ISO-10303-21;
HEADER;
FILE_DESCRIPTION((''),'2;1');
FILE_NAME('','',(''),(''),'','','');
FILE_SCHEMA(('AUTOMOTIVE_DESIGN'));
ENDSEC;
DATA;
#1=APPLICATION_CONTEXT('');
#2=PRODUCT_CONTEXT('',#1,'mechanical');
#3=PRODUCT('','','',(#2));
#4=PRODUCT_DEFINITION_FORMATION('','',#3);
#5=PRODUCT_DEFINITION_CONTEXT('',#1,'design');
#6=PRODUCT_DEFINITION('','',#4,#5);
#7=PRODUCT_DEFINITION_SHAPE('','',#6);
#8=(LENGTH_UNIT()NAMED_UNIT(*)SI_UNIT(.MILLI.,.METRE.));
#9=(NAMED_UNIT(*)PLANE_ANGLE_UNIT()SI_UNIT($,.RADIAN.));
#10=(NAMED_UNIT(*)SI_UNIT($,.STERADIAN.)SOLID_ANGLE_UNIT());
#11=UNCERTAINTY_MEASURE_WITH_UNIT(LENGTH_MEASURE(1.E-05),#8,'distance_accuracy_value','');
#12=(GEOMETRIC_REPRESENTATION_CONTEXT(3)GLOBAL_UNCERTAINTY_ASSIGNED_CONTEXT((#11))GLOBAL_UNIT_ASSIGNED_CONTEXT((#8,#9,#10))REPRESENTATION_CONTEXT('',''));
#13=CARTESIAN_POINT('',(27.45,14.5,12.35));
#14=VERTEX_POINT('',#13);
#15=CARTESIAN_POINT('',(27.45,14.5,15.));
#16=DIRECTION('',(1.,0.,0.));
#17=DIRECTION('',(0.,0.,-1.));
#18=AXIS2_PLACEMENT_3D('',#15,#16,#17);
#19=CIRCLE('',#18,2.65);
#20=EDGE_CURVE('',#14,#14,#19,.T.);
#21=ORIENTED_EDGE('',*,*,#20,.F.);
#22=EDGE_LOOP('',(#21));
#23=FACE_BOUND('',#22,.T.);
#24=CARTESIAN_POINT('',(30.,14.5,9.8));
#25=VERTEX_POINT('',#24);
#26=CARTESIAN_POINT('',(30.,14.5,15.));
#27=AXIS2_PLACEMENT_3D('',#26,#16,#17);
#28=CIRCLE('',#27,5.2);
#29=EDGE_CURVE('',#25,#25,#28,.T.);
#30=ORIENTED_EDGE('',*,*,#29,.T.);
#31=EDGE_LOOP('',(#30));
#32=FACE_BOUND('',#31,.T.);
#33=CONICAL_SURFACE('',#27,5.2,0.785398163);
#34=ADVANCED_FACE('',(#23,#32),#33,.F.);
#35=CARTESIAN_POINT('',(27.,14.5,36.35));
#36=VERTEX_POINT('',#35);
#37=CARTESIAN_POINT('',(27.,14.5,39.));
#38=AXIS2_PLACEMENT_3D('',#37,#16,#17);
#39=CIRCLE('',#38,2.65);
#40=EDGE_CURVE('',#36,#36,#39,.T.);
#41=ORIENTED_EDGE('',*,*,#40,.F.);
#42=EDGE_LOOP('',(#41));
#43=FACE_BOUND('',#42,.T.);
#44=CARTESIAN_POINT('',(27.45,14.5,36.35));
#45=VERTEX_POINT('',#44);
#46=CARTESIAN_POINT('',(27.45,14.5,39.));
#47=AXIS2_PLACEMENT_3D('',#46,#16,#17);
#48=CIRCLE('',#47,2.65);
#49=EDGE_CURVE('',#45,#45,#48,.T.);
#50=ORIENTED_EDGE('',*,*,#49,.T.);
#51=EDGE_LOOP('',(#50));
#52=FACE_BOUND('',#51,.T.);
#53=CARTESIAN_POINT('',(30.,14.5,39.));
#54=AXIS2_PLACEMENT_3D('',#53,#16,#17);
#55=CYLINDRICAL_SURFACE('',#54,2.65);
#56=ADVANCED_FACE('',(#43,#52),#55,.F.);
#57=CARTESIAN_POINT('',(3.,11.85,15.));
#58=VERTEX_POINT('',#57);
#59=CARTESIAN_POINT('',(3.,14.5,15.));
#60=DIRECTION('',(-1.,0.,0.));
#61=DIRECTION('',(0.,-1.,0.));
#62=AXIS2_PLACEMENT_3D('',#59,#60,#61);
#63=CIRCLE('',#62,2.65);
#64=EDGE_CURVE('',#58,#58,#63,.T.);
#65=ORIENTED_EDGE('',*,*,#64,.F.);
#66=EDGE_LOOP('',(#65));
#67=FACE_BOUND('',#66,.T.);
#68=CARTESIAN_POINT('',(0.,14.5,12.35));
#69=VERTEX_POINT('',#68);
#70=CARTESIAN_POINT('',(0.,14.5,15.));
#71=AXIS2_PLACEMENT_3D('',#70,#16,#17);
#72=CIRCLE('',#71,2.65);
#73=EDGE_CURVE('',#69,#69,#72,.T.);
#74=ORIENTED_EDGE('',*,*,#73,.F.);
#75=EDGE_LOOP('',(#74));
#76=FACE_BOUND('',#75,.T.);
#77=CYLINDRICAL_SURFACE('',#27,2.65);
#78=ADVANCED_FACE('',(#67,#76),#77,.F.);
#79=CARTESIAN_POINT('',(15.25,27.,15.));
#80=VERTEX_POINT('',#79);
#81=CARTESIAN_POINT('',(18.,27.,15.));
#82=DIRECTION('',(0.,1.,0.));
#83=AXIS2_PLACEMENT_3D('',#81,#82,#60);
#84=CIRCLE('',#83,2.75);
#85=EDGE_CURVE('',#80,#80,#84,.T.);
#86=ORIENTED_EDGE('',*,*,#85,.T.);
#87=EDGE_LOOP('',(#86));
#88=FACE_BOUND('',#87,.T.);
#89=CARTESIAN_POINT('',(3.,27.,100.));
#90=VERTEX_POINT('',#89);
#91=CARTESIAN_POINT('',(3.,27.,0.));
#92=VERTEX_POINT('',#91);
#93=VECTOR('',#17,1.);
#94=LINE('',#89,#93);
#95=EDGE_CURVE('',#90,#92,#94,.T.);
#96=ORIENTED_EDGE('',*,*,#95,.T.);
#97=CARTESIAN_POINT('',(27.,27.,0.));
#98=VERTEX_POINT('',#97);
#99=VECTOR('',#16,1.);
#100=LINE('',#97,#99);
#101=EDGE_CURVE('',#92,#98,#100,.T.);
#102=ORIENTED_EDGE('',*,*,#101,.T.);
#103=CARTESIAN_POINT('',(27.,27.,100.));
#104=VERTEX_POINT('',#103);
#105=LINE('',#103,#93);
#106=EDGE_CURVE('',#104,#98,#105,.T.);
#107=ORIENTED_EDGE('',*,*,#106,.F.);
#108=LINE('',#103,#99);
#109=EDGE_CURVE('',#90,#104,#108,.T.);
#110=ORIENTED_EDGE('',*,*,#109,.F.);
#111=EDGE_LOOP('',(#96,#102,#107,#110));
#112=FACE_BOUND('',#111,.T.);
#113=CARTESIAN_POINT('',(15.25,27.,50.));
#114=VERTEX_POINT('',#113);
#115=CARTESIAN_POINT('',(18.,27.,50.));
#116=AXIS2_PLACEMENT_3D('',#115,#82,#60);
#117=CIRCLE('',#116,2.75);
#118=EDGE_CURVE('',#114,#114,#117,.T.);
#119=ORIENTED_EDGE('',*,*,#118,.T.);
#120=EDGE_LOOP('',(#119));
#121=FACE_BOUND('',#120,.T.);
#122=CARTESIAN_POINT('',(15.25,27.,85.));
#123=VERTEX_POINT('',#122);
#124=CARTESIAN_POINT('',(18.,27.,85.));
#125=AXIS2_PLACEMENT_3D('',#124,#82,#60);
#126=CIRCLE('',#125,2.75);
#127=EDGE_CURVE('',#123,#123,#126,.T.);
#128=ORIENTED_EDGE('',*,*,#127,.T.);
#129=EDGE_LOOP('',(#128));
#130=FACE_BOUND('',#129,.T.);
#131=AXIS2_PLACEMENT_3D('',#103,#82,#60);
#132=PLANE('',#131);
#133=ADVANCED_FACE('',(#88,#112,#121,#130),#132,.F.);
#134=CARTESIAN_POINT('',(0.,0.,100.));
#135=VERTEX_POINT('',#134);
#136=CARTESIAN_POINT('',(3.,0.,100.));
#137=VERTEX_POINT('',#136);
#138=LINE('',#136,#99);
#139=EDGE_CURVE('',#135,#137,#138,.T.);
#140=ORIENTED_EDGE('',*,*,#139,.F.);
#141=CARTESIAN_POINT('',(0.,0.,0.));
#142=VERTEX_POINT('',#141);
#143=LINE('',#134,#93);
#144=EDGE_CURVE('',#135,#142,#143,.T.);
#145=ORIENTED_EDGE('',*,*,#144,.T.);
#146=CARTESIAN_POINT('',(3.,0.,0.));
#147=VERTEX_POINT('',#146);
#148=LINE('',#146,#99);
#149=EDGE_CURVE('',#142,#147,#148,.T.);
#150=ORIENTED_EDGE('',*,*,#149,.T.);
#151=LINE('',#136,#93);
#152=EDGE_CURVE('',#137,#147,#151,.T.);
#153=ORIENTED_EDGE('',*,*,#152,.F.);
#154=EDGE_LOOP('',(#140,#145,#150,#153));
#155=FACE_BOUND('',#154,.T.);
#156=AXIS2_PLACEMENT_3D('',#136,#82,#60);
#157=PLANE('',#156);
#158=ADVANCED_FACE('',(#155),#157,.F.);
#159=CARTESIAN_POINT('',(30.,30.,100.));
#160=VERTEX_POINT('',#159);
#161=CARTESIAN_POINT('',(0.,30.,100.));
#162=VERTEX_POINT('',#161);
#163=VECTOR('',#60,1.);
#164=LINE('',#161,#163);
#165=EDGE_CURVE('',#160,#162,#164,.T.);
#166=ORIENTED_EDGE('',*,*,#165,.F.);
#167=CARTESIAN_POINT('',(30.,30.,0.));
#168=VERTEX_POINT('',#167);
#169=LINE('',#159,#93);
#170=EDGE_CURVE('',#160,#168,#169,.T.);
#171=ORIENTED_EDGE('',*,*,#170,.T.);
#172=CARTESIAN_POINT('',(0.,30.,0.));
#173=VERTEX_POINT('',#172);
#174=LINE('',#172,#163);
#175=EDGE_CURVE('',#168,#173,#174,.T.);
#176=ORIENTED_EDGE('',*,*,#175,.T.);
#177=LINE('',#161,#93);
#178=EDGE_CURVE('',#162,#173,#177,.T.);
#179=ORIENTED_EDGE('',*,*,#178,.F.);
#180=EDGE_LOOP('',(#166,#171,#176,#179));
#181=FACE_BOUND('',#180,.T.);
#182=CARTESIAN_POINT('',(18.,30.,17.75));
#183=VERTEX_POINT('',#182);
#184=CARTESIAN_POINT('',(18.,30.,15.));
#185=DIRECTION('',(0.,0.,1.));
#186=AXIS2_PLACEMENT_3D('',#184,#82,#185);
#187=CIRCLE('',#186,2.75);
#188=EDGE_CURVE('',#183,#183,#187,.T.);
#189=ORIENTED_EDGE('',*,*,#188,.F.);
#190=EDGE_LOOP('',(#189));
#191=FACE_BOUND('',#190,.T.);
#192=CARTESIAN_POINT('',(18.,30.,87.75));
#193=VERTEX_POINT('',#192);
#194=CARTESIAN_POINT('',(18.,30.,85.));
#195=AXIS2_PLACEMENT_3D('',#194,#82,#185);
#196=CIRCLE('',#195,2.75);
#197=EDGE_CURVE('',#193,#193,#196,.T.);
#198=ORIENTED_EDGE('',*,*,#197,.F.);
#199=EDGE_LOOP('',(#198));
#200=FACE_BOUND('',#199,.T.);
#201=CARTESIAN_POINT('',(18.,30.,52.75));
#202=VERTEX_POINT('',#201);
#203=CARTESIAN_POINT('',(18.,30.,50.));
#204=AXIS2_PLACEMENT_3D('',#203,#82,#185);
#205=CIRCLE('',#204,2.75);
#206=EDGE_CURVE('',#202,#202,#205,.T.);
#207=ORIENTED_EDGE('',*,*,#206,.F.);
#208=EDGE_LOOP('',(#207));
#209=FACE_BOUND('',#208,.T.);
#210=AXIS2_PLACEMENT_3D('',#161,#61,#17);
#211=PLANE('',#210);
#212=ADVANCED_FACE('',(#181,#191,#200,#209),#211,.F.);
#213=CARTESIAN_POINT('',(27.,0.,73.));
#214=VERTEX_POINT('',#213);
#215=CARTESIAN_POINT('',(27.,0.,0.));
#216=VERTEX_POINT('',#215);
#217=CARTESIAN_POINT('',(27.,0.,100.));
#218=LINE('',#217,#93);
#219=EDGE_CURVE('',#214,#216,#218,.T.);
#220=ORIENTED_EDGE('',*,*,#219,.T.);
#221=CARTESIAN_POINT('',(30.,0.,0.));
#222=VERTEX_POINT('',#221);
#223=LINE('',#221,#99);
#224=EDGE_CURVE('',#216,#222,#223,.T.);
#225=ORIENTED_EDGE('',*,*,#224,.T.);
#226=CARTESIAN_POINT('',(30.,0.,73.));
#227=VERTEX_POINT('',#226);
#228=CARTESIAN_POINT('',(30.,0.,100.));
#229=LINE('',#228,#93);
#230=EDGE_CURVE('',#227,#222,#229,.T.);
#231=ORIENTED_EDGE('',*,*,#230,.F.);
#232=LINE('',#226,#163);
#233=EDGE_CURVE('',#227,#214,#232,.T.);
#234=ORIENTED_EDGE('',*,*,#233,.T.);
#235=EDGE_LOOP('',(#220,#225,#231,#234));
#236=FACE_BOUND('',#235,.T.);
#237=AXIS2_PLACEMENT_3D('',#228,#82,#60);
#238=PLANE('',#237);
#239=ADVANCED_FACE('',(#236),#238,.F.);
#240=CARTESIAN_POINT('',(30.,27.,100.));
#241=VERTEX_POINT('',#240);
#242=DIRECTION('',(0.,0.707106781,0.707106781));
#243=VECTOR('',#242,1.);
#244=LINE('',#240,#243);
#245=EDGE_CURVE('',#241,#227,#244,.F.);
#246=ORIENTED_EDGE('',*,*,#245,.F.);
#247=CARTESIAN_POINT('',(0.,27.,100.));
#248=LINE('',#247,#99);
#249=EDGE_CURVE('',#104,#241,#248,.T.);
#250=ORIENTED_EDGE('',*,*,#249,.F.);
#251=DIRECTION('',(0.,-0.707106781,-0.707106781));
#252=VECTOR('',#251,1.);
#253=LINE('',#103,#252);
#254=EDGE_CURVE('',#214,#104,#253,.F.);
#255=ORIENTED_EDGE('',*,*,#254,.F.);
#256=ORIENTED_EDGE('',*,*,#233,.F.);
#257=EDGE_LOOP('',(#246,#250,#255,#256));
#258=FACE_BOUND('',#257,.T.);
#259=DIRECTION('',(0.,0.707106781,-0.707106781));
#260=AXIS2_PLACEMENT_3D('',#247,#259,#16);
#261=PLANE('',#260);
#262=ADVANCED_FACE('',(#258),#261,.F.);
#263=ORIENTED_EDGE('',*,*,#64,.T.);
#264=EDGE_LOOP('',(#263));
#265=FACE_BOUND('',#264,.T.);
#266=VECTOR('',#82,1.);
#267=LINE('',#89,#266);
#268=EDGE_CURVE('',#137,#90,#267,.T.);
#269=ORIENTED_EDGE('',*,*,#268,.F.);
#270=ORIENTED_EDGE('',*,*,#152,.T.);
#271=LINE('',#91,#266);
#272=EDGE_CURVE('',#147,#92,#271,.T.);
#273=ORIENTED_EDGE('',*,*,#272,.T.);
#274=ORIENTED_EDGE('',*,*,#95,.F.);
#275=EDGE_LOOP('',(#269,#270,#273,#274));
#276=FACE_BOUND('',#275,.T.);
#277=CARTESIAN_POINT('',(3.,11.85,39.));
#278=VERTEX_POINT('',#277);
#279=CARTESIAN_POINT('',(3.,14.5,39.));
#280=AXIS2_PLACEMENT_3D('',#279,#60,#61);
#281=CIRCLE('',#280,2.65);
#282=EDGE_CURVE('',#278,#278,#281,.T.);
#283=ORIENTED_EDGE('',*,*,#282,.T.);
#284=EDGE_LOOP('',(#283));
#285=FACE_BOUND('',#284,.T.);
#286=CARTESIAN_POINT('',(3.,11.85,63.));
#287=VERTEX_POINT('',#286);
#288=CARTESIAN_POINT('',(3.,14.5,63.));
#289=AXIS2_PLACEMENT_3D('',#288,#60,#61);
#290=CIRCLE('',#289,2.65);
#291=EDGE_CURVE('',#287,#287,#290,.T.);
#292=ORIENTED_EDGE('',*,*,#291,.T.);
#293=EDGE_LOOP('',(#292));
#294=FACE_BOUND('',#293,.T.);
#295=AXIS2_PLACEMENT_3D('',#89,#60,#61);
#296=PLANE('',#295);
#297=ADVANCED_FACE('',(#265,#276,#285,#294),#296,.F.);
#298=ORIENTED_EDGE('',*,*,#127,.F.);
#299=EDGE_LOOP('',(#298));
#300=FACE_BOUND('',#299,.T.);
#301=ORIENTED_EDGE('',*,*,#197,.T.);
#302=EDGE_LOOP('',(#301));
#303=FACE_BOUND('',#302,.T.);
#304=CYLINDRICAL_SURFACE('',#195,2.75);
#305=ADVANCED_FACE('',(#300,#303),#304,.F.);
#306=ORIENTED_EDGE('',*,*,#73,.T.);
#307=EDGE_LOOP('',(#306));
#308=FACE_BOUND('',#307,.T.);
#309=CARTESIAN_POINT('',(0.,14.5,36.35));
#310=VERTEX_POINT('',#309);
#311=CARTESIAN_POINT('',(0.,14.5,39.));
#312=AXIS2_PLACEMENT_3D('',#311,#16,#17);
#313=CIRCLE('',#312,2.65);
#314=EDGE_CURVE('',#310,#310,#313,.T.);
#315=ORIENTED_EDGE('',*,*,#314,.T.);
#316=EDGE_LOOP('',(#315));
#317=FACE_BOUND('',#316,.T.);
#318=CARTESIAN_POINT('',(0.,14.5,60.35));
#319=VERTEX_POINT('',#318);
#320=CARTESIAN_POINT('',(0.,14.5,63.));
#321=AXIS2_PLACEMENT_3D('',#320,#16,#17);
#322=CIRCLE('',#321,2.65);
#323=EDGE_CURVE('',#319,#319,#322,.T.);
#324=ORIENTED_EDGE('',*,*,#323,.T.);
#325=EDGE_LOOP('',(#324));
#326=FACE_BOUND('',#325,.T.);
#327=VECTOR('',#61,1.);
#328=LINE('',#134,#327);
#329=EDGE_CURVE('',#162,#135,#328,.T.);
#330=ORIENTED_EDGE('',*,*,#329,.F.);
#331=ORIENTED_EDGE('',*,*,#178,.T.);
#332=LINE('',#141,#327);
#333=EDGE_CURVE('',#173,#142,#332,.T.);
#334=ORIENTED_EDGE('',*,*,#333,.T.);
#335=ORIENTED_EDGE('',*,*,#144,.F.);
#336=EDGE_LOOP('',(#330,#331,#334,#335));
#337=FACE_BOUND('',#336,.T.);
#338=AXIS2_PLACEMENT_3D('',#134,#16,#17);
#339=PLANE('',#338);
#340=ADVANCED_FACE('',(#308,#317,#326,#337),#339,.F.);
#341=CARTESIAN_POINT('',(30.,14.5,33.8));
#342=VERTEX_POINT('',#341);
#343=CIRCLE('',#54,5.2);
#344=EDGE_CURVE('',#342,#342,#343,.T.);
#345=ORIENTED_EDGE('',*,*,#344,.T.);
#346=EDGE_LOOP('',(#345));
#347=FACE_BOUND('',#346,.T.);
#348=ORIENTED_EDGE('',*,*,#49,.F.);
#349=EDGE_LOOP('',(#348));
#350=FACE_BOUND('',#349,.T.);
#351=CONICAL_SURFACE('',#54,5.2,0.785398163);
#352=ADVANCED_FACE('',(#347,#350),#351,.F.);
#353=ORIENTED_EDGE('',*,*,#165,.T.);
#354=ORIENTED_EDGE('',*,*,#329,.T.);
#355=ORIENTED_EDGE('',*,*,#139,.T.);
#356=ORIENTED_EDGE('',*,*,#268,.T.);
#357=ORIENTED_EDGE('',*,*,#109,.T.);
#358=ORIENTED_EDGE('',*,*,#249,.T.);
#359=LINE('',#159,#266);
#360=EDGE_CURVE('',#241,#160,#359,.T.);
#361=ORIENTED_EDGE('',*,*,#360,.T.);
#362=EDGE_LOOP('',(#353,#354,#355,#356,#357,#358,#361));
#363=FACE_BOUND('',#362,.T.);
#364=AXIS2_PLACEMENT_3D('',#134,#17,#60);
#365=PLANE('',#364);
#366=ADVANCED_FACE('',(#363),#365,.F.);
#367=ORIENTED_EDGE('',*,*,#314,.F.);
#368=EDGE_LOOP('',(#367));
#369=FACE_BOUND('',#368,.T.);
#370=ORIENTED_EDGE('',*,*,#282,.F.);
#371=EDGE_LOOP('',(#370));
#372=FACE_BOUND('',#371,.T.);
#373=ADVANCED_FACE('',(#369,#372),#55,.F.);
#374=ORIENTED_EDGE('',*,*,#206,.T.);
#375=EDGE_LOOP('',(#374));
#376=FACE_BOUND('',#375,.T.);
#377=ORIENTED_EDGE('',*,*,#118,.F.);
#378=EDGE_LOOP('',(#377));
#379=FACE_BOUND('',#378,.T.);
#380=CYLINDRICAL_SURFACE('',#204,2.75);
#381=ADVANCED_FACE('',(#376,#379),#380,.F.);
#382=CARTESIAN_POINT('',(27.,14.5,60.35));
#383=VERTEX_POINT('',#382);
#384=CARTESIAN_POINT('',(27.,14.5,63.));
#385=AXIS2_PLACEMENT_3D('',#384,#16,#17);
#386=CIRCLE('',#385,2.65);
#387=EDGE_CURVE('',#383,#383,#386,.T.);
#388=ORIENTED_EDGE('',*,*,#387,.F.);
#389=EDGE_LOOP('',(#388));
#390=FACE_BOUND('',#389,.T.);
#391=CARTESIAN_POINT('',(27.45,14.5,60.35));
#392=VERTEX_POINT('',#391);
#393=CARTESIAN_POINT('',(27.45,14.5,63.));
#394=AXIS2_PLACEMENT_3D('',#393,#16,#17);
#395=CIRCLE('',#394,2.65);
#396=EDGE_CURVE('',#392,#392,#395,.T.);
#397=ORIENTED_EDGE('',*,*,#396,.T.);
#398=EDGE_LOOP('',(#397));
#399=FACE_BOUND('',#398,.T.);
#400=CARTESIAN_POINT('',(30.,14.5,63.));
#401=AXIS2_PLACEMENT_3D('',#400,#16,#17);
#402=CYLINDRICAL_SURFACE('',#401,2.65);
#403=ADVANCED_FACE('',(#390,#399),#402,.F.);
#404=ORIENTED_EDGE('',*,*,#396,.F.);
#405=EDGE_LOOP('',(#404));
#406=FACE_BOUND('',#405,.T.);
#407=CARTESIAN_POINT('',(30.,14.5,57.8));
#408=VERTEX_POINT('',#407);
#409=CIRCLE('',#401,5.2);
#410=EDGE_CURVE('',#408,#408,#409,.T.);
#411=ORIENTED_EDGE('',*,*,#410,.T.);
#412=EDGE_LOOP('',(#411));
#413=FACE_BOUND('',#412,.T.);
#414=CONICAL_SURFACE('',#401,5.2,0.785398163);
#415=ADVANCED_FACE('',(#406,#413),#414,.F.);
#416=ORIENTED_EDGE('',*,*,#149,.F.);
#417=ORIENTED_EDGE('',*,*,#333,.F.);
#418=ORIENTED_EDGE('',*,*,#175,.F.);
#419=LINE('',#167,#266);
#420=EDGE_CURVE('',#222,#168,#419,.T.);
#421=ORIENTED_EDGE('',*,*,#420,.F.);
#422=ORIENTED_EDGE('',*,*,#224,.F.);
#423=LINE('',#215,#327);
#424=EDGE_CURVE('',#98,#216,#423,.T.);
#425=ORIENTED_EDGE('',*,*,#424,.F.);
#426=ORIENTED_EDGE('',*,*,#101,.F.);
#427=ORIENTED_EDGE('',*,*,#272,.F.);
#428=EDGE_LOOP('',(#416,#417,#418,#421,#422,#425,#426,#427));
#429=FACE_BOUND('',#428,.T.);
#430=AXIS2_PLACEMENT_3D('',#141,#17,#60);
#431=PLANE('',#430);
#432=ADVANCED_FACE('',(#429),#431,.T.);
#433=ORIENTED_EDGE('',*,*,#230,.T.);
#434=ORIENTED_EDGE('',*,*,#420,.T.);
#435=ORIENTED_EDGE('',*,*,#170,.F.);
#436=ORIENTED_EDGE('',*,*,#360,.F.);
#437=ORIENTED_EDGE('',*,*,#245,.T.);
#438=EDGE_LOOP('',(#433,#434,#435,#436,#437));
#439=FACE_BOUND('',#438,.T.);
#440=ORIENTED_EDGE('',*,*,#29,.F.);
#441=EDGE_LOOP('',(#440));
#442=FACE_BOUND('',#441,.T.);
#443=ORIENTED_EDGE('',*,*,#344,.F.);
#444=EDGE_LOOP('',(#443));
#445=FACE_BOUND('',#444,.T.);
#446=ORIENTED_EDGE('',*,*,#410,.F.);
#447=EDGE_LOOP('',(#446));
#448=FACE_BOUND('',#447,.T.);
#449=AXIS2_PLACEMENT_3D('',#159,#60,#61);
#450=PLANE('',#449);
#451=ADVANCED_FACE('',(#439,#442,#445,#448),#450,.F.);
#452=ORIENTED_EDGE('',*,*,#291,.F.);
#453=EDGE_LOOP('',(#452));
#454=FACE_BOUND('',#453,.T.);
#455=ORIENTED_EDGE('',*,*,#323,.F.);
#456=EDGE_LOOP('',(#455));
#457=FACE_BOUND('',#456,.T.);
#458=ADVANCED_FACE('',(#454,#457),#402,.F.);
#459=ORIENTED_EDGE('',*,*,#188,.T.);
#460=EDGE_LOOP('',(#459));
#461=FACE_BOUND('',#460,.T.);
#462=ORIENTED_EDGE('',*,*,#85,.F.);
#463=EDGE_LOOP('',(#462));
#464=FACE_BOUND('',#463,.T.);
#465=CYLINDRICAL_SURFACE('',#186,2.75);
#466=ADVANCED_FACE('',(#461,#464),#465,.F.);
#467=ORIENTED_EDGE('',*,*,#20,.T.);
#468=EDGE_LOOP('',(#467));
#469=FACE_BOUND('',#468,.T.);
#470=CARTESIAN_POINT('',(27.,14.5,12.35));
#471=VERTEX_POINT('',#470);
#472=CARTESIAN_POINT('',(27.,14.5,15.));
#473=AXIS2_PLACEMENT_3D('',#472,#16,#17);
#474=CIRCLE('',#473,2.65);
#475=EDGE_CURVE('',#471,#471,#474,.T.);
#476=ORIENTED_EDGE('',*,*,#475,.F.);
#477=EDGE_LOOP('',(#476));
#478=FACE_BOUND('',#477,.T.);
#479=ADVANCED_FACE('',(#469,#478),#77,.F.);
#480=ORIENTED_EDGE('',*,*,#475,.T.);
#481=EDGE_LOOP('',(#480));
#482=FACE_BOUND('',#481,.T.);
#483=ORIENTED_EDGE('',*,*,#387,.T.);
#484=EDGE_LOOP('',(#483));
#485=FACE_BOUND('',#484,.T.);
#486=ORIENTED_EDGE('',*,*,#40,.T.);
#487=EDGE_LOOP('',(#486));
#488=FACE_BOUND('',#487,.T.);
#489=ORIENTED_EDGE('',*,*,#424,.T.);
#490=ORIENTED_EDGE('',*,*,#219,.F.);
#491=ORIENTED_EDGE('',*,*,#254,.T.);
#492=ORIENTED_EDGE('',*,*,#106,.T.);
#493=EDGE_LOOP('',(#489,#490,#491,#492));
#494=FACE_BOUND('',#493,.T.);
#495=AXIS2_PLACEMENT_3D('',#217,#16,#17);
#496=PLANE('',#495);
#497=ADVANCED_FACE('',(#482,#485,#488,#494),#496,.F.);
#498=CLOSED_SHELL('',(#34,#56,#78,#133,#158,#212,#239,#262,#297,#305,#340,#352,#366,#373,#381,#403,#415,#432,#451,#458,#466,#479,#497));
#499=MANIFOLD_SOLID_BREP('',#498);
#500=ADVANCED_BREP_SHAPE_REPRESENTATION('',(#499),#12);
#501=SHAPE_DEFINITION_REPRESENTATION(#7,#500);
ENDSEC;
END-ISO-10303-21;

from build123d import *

# Parameters (mm, degrees)
DODANIE_WYCI_GNI_CIE1_DEPTH                         = 100
M5_CLEARANCE_HOLE1_D                                = 5.5
CSK_FOR_M5_COUNTERSUNK_FLAT_HEAD_SCREW1_D           = 5.3
CSK_FOR_M5_COUNTERSUNK_FLAT_HEAD_SCREW1_CSINK_D     = 10.4
CSK_FOR_M5_COUNTERSUNK_FLAT_HEAD_SCREW1_CSINK_ANGLE = 90
CHAMFER1_SIZE                                       = 27


with BuildPart() as part:
    # Szkic1 → Dodanie-wyciągnięcie1 (new body)
    with BuildSketch(Plane.XY):
        Polygon((0, 0), (0, 30), (30, 30), (30, 0), (27, 0), (27, 27), (3, 27), (3, 0), align=None)
    extrude(amount=DODANIE_WYCI_GNI_CIE1_DEPTH)

    # M5 Clearance Hole1 (through all)
    with Locations(Plane(origin=(0, 30, 0), x_dir=(1, 0, 0), z_dir=(0, 1, 0))):
        with Locations((18, -50), (18, -15), (18, -85)):
            Hole(M5_CLEARANCE_HOLE1_D / 2)

    # CSK for M5 Countersunk Flat Head Screw1 (through all)
    with Locations(Plane(origin=(30, 0, 0), x_dir=(0, 0, -1), z_dir=(1, 0, 0))):
        with Locations((-15, 14.5), (-63, 14.5), (-39, 14.5)):
            CounterSinkHole(CSK_FOR_M5_COUNTERSUNK_FLAT_HEAD_SCREW1_D / 2, CSK_FOR_M5_COUNTERSUNK_FLAT_HEAD_SCREW1_CSINK_D / 2, counter_sink_angle=CSK_FOR_M5_COUNTERSUNK_FLAT_HEAD_SCREW1_CSINK_ANGLE)

    # Chamfer1
    chamfer1_edges = [part.edges().sort_by_distance(p)[0] for p in [
        (28.5, 0, 100),
    ]]
    chamfer(chamfer1_edges, length=CHAMFER1_SIZE)


solid = part.part
